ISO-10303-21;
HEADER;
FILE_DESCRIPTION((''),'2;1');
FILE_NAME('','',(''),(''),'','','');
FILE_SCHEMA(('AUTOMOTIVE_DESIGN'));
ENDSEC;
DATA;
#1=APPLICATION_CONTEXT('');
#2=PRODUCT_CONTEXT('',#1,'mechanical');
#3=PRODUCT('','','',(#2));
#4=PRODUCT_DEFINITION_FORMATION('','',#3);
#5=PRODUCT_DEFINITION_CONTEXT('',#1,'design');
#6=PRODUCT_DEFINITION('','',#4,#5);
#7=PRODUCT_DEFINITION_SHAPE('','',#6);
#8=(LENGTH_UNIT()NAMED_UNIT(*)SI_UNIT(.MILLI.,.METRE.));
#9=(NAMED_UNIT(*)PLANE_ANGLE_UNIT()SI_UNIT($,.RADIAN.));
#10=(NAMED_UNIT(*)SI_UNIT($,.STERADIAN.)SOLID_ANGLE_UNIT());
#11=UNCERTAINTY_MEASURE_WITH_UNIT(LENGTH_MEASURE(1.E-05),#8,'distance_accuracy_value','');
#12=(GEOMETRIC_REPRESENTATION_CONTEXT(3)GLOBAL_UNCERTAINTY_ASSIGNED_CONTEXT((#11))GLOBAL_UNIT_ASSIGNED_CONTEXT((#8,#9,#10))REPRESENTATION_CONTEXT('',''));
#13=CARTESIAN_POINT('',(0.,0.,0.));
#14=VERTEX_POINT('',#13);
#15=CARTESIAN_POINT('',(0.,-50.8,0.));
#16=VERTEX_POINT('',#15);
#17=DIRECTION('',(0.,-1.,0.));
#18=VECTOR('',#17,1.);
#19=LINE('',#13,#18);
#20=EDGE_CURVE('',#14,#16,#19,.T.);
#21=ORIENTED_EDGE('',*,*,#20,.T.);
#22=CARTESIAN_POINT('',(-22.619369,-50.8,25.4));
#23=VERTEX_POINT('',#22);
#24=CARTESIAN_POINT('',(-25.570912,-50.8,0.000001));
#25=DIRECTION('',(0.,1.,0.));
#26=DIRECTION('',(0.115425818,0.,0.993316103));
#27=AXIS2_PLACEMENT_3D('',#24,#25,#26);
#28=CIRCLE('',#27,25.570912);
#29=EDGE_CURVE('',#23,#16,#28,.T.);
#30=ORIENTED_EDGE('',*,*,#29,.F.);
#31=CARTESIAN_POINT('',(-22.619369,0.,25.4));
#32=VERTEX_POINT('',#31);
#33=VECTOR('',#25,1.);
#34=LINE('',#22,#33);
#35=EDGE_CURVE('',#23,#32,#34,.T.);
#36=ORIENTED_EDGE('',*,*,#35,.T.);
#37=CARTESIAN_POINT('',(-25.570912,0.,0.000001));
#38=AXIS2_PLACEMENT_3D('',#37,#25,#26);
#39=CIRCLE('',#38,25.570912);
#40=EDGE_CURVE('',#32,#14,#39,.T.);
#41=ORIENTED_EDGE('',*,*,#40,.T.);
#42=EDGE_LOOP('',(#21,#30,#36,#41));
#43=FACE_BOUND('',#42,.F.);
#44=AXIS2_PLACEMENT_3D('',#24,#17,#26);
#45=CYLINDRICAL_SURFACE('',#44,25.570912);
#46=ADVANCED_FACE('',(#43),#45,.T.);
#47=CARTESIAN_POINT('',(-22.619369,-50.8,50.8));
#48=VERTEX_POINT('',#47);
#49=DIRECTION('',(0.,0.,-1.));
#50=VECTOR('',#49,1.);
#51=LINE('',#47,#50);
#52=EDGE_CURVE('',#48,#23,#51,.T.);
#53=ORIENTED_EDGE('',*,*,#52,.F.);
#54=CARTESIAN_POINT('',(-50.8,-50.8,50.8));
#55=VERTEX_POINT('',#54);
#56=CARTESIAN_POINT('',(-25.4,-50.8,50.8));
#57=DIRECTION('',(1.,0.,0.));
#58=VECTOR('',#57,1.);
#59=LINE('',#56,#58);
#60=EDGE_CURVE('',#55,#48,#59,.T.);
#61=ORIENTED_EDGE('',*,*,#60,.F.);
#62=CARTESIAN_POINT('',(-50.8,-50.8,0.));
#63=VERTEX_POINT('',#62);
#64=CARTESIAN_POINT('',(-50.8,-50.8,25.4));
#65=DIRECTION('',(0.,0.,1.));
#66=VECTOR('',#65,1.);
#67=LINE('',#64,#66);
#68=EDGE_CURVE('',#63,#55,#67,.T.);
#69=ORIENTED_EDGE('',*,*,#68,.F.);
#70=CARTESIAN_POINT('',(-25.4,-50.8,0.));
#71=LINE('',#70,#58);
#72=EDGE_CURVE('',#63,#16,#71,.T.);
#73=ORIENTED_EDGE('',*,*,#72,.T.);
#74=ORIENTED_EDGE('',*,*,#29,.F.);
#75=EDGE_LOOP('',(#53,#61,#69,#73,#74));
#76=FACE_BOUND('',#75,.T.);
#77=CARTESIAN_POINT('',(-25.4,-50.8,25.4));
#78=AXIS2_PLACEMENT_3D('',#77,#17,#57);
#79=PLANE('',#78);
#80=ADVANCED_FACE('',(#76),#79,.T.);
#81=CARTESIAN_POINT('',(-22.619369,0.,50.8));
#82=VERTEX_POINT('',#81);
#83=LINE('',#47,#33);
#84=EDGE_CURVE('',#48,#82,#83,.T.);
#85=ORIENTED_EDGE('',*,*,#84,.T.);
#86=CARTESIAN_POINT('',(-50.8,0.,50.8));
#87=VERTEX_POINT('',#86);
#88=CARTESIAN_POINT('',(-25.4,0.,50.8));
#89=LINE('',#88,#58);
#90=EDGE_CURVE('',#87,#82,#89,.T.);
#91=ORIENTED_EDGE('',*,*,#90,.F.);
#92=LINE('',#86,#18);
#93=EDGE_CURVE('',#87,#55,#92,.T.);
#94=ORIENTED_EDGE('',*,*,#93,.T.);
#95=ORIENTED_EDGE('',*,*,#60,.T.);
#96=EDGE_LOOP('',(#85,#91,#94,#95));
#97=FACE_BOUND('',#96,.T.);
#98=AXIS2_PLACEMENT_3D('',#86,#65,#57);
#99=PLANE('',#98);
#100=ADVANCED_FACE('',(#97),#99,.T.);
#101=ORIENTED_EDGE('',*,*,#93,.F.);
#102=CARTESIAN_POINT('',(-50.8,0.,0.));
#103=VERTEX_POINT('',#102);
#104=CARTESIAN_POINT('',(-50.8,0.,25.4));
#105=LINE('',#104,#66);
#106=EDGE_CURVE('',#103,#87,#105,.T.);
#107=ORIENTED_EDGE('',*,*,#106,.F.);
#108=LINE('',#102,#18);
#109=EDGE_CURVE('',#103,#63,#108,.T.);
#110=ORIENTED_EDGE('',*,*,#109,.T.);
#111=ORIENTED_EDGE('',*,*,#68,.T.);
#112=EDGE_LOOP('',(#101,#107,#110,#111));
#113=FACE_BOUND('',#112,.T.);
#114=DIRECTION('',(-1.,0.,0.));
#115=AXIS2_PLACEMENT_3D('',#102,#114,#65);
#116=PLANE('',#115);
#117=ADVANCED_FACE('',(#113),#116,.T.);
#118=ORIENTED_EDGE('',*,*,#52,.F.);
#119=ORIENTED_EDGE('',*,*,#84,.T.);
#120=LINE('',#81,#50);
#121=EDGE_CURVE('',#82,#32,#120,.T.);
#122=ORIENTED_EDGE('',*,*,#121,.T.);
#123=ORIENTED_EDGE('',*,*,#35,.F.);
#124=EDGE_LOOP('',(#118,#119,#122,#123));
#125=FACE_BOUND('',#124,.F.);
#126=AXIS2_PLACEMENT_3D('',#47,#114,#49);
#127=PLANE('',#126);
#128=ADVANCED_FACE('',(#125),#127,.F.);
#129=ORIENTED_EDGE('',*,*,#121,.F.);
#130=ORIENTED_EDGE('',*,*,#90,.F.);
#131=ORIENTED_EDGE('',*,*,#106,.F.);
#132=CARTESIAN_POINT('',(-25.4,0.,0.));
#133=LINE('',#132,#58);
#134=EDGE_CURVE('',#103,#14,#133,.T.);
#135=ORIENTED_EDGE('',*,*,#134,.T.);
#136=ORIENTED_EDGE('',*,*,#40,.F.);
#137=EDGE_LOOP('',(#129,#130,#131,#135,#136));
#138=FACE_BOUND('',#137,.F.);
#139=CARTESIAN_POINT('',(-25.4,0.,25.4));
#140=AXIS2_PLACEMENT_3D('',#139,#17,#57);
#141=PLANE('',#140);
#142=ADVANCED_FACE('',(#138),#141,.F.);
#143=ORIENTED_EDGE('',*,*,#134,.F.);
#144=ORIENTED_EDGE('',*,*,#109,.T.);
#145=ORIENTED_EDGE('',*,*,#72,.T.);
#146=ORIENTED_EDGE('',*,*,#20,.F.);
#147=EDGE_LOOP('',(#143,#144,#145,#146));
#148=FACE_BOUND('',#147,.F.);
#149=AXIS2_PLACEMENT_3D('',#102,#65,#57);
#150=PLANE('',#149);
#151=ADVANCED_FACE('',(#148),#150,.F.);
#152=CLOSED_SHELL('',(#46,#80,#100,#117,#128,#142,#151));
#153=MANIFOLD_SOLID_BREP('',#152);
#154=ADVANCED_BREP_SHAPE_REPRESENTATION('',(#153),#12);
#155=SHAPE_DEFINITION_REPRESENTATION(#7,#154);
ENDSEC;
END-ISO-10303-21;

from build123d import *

# Parameters (mm, degrees)
F0_W     = 50.8
F0_H     = 50.8
F1_DEPTH = 50.8
F3_DEPTH = 50.8


with BuildPart() as f1:
    # F0 (on Front) → F1 (new body)
    with BuildSketch(Plane.XZ):
        with Locations((-25.4, 25.4)):
            Rectangle(F0_W, F0_H)
    extrude(amount=F1_DEPTH)

    # F2 (on face) → F3 (cut)
    with BuildSketch(Plane.XZ.offset(50.8)):
        with BuildLine():
            ThreePointArc((-22.619369, 25.4), (-6.474509, 17.005851), (0, 0))
            Line((0, 0), (0, 50.8))
            Line((0, 50.8), (-22.619369, 50.8))
            Line((-22.619369, 50.8), (-22.619369, 25.4))
        make_face()
    extrude(amount=-F3_DEPTH, mode=Mode.SUBTRACT)


solid = f1.part
